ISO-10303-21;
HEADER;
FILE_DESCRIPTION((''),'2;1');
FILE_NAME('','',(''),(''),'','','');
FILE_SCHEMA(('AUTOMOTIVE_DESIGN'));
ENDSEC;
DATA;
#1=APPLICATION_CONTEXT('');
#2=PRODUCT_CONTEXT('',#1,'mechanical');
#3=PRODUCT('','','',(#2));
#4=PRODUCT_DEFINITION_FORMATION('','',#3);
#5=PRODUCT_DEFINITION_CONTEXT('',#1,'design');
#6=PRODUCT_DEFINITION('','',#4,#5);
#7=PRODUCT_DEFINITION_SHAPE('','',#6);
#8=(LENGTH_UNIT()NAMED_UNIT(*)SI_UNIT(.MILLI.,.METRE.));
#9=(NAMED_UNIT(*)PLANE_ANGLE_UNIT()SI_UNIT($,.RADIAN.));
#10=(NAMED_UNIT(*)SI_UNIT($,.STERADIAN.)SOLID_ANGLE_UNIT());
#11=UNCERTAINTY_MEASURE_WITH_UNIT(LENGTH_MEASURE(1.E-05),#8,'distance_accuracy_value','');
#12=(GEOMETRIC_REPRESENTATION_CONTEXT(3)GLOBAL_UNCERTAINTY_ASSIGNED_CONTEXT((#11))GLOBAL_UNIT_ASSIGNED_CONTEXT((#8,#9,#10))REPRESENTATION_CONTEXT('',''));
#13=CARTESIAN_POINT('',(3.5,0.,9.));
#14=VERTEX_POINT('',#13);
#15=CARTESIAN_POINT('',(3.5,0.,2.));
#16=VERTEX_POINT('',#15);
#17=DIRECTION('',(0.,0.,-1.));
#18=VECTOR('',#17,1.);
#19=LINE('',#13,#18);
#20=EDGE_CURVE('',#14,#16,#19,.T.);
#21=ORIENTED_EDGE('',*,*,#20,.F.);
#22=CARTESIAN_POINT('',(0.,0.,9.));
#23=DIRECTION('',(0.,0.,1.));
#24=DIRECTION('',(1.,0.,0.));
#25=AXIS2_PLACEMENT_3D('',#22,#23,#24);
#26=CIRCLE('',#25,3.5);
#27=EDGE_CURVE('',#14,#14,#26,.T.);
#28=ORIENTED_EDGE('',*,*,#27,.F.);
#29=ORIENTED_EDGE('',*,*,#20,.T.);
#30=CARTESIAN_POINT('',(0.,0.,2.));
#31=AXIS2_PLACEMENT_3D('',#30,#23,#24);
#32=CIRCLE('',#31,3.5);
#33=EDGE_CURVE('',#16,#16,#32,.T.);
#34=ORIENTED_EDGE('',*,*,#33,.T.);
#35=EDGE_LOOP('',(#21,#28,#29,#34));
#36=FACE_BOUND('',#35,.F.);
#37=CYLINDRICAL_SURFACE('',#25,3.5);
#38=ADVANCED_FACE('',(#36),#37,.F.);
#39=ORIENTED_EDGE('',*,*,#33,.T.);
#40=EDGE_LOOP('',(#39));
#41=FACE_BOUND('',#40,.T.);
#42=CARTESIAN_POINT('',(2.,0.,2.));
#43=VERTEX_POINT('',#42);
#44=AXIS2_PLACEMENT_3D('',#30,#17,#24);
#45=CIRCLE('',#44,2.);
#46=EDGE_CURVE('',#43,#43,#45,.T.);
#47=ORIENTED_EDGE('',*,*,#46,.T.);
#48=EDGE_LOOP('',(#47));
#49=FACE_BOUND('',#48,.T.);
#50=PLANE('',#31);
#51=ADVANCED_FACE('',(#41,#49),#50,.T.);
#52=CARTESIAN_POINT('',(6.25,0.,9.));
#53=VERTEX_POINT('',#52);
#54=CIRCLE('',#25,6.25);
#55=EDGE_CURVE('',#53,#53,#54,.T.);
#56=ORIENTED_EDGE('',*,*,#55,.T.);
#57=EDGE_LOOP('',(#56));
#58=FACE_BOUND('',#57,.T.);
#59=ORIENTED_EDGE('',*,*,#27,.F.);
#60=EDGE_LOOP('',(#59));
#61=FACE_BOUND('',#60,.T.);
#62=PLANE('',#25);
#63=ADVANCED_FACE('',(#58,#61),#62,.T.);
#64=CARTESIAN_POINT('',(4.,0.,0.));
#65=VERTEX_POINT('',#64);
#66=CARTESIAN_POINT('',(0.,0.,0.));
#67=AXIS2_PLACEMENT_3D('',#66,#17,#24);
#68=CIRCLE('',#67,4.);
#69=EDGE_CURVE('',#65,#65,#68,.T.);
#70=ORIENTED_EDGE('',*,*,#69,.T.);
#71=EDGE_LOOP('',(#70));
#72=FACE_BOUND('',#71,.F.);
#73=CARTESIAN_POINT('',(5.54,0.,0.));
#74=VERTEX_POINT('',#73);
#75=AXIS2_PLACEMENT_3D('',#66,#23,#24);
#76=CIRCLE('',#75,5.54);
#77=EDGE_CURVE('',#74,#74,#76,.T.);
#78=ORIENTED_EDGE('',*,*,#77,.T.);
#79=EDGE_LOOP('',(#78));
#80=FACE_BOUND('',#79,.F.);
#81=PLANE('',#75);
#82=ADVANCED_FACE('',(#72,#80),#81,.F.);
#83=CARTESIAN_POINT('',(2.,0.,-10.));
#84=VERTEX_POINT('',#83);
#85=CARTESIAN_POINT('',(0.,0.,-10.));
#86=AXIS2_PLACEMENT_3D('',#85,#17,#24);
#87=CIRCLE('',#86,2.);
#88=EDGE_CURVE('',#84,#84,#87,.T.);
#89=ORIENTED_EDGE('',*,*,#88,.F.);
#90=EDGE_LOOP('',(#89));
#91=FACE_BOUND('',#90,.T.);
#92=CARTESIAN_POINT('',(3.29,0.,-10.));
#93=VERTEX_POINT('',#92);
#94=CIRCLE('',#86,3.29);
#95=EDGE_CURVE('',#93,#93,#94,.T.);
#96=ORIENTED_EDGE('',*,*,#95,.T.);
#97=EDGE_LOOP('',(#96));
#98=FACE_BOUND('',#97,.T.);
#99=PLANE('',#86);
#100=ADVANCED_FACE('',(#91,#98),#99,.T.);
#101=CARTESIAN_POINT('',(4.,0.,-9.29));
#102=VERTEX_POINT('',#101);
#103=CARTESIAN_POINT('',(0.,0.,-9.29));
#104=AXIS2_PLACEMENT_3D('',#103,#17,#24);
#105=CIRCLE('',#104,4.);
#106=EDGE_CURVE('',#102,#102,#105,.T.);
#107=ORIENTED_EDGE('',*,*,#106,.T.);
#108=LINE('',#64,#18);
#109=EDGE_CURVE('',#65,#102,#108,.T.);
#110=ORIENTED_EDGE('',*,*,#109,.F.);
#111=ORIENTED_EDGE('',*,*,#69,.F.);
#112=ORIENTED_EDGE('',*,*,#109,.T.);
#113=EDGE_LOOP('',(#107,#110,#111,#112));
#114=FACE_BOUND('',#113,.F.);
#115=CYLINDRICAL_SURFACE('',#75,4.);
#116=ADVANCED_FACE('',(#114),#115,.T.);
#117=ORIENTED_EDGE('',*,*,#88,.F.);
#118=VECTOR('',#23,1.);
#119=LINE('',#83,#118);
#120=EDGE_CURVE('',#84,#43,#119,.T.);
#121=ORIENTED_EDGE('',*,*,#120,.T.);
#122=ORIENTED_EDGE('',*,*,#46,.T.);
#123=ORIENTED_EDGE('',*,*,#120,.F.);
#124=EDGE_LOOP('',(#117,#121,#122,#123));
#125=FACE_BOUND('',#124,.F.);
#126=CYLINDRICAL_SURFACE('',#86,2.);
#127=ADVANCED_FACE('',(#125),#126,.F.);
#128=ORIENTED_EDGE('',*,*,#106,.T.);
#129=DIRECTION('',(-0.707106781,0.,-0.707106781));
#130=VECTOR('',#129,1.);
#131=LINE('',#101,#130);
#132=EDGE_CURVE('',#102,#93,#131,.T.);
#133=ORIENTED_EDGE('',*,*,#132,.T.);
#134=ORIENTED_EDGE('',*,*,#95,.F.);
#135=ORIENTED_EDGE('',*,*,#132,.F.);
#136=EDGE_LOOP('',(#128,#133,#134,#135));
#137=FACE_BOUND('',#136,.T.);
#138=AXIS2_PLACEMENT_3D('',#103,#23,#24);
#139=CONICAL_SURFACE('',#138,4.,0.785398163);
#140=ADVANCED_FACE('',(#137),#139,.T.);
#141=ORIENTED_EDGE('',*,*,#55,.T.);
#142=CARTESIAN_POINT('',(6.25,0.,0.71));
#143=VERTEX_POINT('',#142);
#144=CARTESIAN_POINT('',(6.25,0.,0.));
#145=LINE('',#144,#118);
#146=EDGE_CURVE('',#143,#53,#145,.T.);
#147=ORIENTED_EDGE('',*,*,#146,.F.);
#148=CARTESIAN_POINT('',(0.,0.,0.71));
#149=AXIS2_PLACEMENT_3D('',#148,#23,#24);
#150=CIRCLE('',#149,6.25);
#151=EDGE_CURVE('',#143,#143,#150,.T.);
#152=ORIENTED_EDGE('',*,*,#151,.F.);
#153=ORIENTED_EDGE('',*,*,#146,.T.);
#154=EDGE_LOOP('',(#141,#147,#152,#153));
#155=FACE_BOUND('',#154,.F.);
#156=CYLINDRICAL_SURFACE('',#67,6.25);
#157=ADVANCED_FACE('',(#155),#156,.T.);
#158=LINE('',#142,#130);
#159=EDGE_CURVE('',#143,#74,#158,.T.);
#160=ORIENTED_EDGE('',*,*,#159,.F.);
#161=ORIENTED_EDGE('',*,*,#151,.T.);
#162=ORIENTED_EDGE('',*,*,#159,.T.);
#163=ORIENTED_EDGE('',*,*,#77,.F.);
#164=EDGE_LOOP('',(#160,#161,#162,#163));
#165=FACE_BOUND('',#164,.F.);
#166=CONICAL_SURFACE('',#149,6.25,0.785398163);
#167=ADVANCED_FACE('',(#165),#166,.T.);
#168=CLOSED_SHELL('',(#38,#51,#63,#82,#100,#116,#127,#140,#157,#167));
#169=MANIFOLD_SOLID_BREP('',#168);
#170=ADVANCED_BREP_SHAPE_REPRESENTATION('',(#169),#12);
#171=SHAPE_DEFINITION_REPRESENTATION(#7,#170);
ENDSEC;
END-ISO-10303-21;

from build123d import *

# Parameters (mm, degrees)
F0_R     = 6.25
F1_DEPTH = 9
F2_R     = 3.5
F3_DEPTH = 7
F4_R     = 4
F5_DEPTH = 10
F6_R     = 2
F7_DEPTH = 12
F8_SIZE2 = 0.71
F8_SIZE  = 0.71
F9_SIZE2 = 0.71
F9_SIZE  = 0.71


with BuildPart() as f1:
    # F0 (on Top) → F1 (new body)
    with BuildSketch(Plane.XY):
        Circle(F0_R)
    extrude(amount=F1_DEPTH)

    # F2 (on face) → F3 (cut)
    with BuildSketch(Plane.XY.offset(9)):
        Circle(F2_R)
    extrude(amount=-F3_DEPTH, mode=Mode.SUBTRACT)

    # F4 (on face) → F5 (join)
    with BuildSketch(Plane(origin=(0, 0, 0), x_dir=(1, 0, 0), z_dir=(0, 0, -1))):
        Circle(F4_R)
    extrude(amount=F5_DEPTH)

    # F6 (on face) → F7 (cut)
    with BuildSketch(Plane(origin=(0, 0, -10), x_dir=(1, 0, 0), z_dir=(0, 0, -1))):
        Circle(F6_R)
    extrude(amount=-F7_DEPTH, mode=Mode.SUBTRACT)

    # F8
    f8_edges = [f1.edges().sort_by_distance(p)[0] for p in [
        (-6.25, 0, 0),
    ]]
    chamfer(f8_edges, length=F8_SIZE, length2=F8_SIZE2)

    # F9
    f9_edges = [f1.edges().sort_by_distance(p)[0] for p in [
        (-4, 0, -10),
    ]]
    chamfer(f9_edges, length=F9_SIZE, length2=F9_SIZE2)


solid = f1.part
